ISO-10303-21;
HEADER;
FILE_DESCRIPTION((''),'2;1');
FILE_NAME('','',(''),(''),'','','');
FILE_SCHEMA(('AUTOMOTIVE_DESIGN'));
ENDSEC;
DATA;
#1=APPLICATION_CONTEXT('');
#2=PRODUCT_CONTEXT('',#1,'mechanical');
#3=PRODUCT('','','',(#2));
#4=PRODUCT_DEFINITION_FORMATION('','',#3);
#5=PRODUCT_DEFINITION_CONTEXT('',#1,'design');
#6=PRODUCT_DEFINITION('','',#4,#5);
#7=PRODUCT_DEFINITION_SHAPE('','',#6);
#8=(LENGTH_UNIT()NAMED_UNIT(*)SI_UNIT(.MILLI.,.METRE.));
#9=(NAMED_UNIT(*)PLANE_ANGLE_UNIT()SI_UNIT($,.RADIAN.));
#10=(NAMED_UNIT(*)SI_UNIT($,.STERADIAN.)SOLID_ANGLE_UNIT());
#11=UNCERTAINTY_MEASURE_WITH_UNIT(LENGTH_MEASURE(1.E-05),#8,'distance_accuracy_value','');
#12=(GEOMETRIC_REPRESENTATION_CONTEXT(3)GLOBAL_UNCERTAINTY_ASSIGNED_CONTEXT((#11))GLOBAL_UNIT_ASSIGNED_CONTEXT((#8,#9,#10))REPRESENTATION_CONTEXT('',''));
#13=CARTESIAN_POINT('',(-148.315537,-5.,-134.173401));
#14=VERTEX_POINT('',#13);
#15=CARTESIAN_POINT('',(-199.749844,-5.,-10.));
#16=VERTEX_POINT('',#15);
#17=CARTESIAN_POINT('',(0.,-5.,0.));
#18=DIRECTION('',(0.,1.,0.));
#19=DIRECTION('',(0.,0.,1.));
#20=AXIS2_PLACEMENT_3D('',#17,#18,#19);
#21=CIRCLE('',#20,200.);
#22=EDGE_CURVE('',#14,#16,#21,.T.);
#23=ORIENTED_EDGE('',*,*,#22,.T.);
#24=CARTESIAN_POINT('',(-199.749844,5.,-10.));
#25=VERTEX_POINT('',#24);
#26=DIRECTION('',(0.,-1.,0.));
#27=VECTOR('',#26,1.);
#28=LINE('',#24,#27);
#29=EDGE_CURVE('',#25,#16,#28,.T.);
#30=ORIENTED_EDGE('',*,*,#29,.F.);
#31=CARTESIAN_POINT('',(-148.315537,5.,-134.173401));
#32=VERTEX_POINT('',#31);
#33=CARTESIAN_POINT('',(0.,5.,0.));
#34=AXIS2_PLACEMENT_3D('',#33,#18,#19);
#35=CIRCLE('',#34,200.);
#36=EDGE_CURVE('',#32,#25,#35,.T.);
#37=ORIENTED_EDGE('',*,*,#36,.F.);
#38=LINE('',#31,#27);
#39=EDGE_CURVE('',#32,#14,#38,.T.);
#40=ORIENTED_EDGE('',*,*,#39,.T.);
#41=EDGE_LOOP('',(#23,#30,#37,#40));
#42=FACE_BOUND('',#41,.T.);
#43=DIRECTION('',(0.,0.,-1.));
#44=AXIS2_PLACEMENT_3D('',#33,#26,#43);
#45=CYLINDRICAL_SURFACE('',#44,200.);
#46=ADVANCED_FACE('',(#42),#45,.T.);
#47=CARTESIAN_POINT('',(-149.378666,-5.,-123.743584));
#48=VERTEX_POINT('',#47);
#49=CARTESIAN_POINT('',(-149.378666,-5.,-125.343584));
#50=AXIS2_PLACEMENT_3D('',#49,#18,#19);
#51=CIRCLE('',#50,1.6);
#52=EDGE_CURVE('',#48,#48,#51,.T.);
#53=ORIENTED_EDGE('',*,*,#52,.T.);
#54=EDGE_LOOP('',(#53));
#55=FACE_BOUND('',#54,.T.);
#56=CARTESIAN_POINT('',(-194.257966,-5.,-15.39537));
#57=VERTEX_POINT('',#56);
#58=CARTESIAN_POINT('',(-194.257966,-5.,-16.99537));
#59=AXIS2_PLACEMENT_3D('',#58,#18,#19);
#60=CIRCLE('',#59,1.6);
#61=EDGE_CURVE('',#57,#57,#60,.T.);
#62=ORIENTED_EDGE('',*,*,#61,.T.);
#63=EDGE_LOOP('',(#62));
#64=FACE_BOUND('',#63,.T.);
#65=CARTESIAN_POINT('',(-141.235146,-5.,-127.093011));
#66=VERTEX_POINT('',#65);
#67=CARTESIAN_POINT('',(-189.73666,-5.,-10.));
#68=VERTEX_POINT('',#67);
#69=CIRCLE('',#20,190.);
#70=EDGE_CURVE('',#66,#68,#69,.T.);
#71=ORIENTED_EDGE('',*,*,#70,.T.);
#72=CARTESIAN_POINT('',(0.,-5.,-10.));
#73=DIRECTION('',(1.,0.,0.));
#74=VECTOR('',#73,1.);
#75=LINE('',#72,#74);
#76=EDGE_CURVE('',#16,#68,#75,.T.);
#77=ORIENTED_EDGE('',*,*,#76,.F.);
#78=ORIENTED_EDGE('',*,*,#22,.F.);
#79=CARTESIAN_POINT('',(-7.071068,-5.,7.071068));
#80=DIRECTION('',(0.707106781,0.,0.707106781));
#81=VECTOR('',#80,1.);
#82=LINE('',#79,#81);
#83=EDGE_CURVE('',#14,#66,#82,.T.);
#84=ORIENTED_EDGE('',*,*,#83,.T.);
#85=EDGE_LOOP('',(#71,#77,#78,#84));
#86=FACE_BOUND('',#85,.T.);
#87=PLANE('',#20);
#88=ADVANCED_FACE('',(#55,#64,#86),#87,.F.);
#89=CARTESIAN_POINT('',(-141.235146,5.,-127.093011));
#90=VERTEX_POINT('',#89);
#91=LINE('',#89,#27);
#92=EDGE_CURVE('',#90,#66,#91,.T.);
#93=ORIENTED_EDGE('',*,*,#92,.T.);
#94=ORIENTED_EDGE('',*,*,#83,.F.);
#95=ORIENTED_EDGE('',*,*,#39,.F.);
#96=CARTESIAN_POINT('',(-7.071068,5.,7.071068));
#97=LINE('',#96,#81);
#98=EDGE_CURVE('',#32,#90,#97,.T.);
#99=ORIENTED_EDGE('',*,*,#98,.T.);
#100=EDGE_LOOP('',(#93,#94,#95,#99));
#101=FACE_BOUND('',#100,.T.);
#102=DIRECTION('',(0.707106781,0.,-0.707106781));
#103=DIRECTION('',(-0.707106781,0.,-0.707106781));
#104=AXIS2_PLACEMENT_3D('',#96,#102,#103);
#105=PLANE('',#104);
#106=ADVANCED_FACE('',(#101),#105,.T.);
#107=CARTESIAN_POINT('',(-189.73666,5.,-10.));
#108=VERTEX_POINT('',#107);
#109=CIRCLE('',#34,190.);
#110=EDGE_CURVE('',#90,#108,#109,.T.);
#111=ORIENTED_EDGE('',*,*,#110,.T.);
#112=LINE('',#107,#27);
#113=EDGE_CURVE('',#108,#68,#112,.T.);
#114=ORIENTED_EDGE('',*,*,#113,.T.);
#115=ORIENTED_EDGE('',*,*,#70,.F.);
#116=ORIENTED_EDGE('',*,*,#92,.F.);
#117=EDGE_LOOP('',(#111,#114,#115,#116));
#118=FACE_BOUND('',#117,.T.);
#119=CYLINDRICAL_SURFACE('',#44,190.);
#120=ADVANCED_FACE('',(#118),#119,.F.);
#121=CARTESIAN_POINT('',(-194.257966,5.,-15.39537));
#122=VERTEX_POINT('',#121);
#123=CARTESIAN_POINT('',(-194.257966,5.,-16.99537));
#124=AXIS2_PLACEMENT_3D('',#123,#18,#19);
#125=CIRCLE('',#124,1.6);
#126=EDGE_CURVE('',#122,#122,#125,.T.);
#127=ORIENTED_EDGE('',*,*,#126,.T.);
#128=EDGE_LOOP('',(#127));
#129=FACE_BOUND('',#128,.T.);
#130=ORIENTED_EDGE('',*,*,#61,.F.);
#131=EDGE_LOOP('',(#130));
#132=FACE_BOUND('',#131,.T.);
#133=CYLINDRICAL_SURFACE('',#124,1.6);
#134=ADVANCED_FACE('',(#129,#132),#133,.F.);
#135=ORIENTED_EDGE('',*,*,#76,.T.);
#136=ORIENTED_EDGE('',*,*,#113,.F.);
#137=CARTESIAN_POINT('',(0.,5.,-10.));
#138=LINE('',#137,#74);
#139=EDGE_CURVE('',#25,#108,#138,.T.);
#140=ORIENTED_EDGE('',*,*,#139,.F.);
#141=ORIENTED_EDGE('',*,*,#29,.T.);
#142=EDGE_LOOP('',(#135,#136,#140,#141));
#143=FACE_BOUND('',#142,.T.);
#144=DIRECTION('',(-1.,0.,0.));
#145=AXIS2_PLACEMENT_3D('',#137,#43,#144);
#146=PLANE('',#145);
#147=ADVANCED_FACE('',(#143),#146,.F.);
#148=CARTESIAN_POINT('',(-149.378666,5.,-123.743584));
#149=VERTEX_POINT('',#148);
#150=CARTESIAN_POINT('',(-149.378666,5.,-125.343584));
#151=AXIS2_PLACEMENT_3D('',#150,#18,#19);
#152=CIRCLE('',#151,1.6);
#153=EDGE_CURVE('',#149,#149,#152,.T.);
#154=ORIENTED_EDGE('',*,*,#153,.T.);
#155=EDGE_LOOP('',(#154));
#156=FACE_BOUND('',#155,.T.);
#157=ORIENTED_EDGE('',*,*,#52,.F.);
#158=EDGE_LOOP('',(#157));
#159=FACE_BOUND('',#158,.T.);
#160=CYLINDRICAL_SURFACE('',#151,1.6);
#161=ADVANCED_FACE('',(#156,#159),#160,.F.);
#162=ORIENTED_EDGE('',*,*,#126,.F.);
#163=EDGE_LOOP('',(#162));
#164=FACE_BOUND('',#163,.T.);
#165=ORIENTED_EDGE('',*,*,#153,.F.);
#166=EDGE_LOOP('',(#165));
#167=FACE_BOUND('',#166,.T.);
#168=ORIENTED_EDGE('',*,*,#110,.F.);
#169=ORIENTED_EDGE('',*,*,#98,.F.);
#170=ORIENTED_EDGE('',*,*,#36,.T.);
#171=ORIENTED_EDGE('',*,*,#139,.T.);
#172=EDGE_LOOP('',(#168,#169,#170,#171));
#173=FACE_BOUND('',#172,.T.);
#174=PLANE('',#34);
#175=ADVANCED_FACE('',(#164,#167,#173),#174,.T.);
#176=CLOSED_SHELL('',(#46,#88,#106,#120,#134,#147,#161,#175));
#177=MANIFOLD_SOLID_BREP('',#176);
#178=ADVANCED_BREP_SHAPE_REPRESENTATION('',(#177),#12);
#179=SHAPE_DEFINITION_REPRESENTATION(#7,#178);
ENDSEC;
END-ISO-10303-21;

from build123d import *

# Parameters (mm, degrees)
BASE_DEPTH                 = 5
F_3_2_3_2_DIAMETER_HOLE1_D = 3.2


with BuildPart() as part:
    # Sketch1 → base (new, symmetric)
    with BuildSketch(Plane(origin=(0, 0, 0), x_dir=(1, 0, 0), z_dir=(0, 1, 0))):
        with BuildLine():
            Line((-141.235146462, 127.093010838), (-148.31553673, 134.173401106))
            ThreePointArc((-148.31553673, 134.173401106), (-184.775906502, 76.536686473), (-199.749843554, 10))
            Line((-199.749843554, 10), (-189.73665961, 10))
            ThreePointArc((-189.73665961, 10), (-175.537111177, 72.709852149), (-141.235146462, 127.093010838))
        make_face()
    extrude(amount=BASE_DEPTH, both=True)

    # Ø3.2 (3.2) Diameter Hole1 (through all)
    with Locations(Plane(origin=(0, 5, 0), x_dir=(1, 0, 0), z_dir=(0, 1, 0))):
        with Locations((-194.257966128, 16.995369836), (-149.378666408, 125.343583889)):
            Hole(F_3_2_3_2_DIAMETER_HOLE1_D / 2)


solid = part.part
